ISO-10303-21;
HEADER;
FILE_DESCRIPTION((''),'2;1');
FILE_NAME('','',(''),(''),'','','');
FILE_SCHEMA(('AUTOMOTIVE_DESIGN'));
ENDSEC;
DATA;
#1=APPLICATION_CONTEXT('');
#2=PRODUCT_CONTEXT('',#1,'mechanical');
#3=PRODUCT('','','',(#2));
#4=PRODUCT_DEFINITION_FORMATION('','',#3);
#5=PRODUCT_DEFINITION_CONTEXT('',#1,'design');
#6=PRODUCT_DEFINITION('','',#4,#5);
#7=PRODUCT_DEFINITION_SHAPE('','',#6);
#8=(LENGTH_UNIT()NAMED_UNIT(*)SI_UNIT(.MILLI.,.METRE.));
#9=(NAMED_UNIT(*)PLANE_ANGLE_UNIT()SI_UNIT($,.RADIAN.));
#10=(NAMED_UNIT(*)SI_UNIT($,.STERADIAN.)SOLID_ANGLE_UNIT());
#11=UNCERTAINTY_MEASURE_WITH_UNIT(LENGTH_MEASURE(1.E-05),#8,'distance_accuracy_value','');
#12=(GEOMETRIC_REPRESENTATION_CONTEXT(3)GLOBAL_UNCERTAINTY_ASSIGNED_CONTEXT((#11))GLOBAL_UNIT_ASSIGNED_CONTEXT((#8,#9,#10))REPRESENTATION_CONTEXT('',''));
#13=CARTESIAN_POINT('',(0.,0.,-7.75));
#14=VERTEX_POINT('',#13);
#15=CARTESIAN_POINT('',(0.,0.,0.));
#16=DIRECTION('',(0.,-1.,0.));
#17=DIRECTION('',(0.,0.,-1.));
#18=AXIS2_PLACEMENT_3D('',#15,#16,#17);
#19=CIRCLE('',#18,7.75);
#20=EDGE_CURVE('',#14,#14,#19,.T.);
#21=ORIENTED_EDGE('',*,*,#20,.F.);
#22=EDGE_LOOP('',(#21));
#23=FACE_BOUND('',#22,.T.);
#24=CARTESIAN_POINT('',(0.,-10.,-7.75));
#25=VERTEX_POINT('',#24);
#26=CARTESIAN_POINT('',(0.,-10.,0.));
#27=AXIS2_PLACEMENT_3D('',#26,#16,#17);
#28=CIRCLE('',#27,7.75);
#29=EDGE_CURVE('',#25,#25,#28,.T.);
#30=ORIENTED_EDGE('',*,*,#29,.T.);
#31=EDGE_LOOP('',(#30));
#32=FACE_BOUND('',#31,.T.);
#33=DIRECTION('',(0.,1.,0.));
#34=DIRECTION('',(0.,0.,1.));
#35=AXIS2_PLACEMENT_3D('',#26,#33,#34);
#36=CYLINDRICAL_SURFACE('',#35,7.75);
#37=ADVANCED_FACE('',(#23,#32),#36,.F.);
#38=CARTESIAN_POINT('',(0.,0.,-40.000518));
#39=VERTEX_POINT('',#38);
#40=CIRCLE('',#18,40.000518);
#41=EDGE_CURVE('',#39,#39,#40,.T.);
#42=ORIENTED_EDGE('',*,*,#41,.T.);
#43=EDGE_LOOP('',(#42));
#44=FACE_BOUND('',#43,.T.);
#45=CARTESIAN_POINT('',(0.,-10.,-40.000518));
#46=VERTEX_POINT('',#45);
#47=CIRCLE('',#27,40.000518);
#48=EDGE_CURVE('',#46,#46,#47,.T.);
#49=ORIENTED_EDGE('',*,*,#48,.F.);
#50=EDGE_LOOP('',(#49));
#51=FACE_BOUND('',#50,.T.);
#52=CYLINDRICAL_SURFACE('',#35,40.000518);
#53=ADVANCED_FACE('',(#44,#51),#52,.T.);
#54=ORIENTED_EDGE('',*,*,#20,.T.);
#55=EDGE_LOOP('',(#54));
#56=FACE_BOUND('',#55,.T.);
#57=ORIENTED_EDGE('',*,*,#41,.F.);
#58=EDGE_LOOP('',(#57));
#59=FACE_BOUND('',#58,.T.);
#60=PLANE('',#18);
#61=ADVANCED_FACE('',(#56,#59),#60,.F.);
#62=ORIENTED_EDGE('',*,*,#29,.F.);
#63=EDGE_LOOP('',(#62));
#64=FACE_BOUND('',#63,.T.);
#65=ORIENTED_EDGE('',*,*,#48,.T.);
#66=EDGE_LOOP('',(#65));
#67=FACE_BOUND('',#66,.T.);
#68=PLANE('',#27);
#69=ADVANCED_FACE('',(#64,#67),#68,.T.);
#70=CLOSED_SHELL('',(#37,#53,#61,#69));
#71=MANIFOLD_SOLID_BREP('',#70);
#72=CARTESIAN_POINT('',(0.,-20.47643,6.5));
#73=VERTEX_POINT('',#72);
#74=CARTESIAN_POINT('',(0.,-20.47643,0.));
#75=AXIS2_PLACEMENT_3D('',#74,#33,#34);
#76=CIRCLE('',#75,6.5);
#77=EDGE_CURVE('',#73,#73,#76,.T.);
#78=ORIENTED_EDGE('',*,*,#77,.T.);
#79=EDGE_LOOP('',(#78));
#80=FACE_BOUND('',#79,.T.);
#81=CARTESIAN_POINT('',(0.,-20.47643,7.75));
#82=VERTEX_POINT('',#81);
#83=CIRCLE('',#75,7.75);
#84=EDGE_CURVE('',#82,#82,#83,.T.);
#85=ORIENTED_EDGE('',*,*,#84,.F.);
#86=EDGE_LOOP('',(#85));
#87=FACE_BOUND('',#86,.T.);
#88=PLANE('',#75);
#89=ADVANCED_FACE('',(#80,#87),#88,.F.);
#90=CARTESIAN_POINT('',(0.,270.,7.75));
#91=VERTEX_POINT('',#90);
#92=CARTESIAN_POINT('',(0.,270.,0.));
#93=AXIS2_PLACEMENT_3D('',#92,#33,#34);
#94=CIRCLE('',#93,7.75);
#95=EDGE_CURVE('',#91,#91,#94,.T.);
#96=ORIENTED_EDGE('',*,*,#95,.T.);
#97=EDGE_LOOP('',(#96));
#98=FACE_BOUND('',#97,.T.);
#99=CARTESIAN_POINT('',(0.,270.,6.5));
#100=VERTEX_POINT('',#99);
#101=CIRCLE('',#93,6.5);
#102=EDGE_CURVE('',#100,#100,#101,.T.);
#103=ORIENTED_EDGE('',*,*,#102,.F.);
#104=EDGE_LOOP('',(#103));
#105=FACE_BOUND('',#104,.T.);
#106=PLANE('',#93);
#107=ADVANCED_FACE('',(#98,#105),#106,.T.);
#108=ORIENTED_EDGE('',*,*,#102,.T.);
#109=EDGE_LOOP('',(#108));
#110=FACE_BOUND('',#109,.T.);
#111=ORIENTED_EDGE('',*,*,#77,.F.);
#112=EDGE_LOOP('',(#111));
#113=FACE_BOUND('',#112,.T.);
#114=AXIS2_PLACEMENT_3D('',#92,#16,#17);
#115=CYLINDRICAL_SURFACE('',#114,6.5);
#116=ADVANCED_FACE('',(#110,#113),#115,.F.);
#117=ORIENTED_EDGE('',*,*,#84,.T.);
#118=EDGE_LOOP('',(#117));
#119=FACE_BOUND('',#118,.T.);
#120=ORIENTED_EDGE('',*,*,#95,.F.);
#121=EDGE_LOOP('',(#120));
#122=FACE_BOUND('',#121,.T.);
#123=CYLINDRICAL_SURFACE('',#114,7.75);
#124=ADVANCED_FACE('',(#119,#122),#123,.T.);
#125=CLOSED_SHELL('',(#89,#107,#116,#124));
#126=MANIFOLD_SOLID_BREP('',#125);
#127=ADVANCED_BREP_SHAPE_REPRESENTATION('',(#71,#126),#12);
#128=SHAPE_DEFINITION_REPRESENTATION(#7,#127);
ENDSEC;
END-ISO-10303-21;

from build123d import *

# Parameters (mm, degrees)
SKETCH1_R           = 7.75
SKETCH1_R_2         = 6.5
BOSS_EXTRUDE1_DEPTH = 270
BOSS_EXTRUDE2_START = 10
SKETCH2_R           = 40.000518223
SKETCH2_R_2         = 7.75
BOSS_EXTRUDE2_DEPTH = 10
BOSS_EXTRUDE3_START = -20.476429663
SKETCH1_2_R         = 7.75
SKETCH1_2_R_2       = 6.5
BOSS_EXTRUDE3_DEPTH = 20.476429663


with BuildPart() as part:
    # Sketch1 → Boss-Extrude1 (new body)
    with BuildSketch(Plane(origin=(0, 0, 0), x_dir=(1, 0, 0), z_dir=(0, 1, 0))):
        Circle(SKETCH1_R)
        Circle(SKETCH1_R_2, mode=Mode.SUBTRACT)
    extrude(amount=BOSS_EXTRUDE1_DEPTH)

    # Sketch1<2> → Boss-Extrude3 (add)
    with BuildSketch(Plane(origin=(0, 0, 0), x_dir=(1, 0, 0), z_dir=(0, 1, 0)).offset(BOSS_EXTRUDE3_START)):
        Circle(SKETCH1_2_R)
        Circle(SKETCH1_2_R_2, mode=Mode.SUBTRACT)
    extrude(amount=BOSS_EXTRUDE3_DEPTH)


with BuildPart() as body_2:
    # Sketch2 → Boss-Extrude2 (new body)
    with BuildSketch(Plane(origin=(0, 0, 0), x_dir=(-1, 0, 0), z_dir=(0, -1, 0)).offset(BOSS_EXTRUDE2_START)):
        Circle(SKETCH2_R)
        Circle(SKETCH2_R_2, mode=Mode.SUBTRACT)
    extrude(amount=-BOSS_EXTRUDE2_DEPTH)


solid = Compound([part.part, body_2.part])
